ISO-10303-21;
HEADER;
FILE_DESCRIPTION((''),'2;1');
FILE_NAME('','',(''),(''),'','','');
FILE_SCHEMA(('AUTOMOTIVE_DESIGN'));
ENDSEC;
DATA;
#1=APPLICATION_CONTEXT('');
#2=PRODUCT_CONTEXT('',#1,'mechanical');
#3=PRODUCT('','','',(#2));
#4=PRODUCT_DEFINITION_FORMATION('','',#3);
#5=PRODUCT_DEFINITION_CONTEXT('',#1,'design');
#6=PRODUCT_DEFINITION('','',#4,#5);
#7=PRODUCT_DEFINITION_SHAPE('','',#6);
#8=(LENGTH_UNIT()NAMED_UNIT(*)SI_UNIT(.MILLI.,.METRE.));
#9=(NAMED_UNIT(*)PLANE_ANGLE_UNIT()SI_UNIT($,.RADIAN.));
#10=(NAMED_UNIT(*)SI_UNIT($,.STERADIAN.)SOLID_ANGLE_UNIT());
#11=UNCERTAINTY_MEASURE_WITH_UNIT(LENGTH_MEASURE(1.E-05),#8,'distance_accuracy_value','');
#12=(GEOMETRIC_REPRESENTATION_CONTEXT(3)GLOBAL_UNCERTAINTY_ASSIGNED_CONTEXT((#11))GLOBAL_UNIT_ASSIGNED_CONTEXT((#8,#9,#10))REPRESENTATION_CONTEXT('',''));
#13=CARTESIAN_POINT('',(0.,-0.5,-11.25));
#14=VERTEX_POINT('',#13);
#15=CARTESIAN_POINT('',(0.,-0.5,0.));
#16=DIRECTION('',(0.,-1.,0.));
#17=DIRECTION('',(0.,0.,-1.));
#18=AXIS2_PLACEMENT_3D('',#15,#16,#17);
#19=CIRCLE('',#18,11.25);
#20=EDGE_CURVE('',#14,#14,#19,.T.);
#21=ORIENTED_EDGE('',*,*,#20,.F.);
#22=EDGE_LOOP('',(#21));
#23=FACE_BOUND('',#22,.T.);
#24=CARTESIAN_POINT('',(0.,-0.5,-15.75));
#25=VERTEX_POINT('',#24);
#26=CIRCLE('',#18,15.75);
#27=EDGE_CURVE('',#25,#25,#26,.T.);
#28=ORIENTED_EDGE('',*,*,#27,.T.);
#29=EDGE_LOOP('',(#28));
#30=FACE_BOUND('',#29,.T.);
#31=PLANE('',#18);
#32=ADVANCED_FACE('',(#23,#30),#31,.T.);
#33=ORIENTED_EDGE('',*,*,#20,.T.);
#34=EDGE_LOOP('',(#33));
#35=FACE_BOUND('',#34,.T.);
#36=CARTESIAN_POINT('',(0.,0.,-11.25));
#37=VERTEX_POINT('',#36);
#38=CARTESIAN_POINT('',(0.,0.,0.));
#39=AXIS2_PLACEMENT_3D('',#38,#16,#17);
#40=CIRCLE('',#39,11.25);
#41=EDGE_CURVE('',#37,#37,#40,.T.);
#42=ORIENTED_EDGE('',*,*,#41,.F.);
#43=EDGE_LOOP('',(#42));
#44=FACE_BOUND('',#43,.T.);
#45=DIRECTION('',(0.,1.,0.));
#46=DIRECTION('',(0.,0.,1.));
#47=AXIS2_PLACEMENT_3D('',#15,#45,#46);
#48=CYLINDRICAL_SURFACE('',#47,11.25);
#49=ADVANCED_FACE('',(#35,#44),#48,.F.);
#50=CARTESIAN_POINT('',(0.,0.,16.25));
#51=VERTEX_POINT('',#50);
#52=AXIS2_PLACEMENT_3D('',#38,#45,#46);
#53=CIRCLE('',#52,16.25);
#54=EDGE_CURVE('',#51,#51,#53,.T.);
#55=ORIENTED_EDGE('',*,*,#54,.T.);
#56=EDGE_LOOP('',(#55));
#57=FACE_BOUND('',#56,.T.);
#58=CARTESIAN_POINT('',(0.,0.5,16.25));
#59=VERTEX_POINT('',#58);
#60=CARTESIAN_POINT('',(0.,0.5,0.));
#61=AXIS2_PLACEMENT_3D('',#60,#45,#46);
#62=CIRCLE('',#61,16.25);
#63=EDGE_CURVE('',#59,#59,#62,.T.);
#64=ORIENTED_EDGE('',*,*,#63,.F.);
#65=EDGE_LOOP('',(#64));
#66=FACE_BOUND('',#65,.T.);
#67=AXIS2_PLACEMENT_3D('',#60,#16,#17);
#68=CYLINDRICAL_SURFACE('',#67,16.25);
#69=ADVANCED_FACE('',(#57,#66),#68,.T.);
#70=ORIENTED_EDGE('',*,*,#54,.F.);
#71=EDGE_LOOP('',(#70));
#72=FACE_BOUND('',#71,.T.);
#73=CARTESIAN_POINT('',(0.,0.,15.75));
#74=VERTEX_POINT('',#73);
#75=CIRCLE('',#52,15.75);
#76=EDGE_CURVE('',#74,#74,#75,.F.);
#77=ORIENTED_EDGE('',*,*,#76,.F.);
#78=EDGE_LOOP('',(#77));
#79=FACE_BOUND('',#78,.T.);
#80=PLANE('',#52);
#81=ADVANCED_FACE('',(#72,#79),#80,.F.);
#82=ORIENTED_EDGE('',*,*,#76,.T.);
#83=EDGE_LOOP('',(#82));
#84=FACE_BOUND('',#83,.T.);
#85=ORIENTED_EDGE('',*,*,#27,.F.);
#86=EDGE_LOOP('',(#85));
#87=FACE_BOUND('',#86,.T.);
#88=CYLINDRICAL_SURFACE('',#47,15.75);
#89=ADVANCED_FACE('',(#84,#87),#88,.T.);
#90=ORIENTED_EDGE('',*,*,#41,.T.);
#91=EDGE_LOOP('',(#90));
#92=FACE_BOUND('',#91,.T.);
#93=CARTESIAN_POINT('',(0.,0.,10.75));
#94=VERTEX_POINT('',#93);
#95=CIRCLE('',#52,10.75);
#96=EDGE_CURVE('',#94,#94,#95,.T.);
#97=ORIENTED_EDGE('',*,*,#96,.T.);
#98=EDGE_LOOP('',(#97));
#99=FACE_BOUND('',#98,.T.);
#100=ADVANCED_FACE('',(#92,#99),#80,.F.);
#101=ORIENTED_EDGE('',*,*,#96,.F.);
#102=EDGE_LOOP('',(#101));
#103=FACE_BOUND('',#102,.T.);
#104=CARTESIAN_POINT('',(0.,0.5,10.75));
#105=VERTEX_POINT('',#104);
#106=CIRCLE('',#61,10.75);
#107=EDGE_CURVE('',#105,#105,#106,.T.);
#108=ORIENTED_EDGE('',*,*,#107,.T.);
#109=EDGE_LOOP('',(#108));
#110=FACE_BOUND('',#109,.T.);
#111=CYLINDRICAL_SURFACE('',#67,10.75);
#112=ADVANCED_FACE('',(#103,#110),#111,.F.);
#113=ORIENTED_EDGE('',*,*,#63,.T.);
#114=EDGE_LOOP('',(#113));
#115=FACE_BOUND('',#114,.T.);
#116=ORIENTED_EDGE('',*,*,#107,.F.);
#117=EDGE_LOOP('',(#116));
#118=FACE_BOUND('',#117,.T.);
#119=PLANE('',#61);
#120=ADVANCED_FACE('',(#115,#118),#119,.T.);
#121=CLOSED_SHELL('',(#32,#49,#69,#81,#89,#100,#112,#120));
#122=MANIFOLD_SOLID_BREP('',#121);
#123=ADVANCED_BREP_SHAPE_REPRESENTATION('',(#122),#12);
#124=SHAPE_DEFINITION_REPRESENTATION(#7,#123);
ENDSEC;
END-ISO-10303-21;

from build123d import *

# Parameters (mm, degrees)
SKETCH1_R           = 16.25
SKETCH1_R_2         = 10.75
BOSS_EXTRUDE1_DEPTH = 0.5
SKETCH2_R           = 15.75
SKETCH2_R_2         = 11.25
BOSS_EXTRUDE2_DEPTH = 0.5


with BuildPart() as part:
    # Sketch1 → Boss-Extrude1 (new body)
    with BuildSketch(Plane(origin=(0, 0, 0), x_dir=(1, 0, 0), z_dir=(0, 1, 0))):
        Circle(SKETCH1_R)
        Circle(SKETCH1_R_2, mode=Mode.SUBTRACT)
    extrude(amount=BOSS_EXTRUDE1_DEPTH)

    # Sketch2 → Boss-Extrude2 (add)
    with BuildSketch(Plane.XZ):
        Circle(SKETCH2_R)
        Circle(SKETCH2_R_2, mode=Mode.SUBTRACT)
    extrude(amount=BOSS_EXTRUDE2_DEPTH)


solid = part.part
